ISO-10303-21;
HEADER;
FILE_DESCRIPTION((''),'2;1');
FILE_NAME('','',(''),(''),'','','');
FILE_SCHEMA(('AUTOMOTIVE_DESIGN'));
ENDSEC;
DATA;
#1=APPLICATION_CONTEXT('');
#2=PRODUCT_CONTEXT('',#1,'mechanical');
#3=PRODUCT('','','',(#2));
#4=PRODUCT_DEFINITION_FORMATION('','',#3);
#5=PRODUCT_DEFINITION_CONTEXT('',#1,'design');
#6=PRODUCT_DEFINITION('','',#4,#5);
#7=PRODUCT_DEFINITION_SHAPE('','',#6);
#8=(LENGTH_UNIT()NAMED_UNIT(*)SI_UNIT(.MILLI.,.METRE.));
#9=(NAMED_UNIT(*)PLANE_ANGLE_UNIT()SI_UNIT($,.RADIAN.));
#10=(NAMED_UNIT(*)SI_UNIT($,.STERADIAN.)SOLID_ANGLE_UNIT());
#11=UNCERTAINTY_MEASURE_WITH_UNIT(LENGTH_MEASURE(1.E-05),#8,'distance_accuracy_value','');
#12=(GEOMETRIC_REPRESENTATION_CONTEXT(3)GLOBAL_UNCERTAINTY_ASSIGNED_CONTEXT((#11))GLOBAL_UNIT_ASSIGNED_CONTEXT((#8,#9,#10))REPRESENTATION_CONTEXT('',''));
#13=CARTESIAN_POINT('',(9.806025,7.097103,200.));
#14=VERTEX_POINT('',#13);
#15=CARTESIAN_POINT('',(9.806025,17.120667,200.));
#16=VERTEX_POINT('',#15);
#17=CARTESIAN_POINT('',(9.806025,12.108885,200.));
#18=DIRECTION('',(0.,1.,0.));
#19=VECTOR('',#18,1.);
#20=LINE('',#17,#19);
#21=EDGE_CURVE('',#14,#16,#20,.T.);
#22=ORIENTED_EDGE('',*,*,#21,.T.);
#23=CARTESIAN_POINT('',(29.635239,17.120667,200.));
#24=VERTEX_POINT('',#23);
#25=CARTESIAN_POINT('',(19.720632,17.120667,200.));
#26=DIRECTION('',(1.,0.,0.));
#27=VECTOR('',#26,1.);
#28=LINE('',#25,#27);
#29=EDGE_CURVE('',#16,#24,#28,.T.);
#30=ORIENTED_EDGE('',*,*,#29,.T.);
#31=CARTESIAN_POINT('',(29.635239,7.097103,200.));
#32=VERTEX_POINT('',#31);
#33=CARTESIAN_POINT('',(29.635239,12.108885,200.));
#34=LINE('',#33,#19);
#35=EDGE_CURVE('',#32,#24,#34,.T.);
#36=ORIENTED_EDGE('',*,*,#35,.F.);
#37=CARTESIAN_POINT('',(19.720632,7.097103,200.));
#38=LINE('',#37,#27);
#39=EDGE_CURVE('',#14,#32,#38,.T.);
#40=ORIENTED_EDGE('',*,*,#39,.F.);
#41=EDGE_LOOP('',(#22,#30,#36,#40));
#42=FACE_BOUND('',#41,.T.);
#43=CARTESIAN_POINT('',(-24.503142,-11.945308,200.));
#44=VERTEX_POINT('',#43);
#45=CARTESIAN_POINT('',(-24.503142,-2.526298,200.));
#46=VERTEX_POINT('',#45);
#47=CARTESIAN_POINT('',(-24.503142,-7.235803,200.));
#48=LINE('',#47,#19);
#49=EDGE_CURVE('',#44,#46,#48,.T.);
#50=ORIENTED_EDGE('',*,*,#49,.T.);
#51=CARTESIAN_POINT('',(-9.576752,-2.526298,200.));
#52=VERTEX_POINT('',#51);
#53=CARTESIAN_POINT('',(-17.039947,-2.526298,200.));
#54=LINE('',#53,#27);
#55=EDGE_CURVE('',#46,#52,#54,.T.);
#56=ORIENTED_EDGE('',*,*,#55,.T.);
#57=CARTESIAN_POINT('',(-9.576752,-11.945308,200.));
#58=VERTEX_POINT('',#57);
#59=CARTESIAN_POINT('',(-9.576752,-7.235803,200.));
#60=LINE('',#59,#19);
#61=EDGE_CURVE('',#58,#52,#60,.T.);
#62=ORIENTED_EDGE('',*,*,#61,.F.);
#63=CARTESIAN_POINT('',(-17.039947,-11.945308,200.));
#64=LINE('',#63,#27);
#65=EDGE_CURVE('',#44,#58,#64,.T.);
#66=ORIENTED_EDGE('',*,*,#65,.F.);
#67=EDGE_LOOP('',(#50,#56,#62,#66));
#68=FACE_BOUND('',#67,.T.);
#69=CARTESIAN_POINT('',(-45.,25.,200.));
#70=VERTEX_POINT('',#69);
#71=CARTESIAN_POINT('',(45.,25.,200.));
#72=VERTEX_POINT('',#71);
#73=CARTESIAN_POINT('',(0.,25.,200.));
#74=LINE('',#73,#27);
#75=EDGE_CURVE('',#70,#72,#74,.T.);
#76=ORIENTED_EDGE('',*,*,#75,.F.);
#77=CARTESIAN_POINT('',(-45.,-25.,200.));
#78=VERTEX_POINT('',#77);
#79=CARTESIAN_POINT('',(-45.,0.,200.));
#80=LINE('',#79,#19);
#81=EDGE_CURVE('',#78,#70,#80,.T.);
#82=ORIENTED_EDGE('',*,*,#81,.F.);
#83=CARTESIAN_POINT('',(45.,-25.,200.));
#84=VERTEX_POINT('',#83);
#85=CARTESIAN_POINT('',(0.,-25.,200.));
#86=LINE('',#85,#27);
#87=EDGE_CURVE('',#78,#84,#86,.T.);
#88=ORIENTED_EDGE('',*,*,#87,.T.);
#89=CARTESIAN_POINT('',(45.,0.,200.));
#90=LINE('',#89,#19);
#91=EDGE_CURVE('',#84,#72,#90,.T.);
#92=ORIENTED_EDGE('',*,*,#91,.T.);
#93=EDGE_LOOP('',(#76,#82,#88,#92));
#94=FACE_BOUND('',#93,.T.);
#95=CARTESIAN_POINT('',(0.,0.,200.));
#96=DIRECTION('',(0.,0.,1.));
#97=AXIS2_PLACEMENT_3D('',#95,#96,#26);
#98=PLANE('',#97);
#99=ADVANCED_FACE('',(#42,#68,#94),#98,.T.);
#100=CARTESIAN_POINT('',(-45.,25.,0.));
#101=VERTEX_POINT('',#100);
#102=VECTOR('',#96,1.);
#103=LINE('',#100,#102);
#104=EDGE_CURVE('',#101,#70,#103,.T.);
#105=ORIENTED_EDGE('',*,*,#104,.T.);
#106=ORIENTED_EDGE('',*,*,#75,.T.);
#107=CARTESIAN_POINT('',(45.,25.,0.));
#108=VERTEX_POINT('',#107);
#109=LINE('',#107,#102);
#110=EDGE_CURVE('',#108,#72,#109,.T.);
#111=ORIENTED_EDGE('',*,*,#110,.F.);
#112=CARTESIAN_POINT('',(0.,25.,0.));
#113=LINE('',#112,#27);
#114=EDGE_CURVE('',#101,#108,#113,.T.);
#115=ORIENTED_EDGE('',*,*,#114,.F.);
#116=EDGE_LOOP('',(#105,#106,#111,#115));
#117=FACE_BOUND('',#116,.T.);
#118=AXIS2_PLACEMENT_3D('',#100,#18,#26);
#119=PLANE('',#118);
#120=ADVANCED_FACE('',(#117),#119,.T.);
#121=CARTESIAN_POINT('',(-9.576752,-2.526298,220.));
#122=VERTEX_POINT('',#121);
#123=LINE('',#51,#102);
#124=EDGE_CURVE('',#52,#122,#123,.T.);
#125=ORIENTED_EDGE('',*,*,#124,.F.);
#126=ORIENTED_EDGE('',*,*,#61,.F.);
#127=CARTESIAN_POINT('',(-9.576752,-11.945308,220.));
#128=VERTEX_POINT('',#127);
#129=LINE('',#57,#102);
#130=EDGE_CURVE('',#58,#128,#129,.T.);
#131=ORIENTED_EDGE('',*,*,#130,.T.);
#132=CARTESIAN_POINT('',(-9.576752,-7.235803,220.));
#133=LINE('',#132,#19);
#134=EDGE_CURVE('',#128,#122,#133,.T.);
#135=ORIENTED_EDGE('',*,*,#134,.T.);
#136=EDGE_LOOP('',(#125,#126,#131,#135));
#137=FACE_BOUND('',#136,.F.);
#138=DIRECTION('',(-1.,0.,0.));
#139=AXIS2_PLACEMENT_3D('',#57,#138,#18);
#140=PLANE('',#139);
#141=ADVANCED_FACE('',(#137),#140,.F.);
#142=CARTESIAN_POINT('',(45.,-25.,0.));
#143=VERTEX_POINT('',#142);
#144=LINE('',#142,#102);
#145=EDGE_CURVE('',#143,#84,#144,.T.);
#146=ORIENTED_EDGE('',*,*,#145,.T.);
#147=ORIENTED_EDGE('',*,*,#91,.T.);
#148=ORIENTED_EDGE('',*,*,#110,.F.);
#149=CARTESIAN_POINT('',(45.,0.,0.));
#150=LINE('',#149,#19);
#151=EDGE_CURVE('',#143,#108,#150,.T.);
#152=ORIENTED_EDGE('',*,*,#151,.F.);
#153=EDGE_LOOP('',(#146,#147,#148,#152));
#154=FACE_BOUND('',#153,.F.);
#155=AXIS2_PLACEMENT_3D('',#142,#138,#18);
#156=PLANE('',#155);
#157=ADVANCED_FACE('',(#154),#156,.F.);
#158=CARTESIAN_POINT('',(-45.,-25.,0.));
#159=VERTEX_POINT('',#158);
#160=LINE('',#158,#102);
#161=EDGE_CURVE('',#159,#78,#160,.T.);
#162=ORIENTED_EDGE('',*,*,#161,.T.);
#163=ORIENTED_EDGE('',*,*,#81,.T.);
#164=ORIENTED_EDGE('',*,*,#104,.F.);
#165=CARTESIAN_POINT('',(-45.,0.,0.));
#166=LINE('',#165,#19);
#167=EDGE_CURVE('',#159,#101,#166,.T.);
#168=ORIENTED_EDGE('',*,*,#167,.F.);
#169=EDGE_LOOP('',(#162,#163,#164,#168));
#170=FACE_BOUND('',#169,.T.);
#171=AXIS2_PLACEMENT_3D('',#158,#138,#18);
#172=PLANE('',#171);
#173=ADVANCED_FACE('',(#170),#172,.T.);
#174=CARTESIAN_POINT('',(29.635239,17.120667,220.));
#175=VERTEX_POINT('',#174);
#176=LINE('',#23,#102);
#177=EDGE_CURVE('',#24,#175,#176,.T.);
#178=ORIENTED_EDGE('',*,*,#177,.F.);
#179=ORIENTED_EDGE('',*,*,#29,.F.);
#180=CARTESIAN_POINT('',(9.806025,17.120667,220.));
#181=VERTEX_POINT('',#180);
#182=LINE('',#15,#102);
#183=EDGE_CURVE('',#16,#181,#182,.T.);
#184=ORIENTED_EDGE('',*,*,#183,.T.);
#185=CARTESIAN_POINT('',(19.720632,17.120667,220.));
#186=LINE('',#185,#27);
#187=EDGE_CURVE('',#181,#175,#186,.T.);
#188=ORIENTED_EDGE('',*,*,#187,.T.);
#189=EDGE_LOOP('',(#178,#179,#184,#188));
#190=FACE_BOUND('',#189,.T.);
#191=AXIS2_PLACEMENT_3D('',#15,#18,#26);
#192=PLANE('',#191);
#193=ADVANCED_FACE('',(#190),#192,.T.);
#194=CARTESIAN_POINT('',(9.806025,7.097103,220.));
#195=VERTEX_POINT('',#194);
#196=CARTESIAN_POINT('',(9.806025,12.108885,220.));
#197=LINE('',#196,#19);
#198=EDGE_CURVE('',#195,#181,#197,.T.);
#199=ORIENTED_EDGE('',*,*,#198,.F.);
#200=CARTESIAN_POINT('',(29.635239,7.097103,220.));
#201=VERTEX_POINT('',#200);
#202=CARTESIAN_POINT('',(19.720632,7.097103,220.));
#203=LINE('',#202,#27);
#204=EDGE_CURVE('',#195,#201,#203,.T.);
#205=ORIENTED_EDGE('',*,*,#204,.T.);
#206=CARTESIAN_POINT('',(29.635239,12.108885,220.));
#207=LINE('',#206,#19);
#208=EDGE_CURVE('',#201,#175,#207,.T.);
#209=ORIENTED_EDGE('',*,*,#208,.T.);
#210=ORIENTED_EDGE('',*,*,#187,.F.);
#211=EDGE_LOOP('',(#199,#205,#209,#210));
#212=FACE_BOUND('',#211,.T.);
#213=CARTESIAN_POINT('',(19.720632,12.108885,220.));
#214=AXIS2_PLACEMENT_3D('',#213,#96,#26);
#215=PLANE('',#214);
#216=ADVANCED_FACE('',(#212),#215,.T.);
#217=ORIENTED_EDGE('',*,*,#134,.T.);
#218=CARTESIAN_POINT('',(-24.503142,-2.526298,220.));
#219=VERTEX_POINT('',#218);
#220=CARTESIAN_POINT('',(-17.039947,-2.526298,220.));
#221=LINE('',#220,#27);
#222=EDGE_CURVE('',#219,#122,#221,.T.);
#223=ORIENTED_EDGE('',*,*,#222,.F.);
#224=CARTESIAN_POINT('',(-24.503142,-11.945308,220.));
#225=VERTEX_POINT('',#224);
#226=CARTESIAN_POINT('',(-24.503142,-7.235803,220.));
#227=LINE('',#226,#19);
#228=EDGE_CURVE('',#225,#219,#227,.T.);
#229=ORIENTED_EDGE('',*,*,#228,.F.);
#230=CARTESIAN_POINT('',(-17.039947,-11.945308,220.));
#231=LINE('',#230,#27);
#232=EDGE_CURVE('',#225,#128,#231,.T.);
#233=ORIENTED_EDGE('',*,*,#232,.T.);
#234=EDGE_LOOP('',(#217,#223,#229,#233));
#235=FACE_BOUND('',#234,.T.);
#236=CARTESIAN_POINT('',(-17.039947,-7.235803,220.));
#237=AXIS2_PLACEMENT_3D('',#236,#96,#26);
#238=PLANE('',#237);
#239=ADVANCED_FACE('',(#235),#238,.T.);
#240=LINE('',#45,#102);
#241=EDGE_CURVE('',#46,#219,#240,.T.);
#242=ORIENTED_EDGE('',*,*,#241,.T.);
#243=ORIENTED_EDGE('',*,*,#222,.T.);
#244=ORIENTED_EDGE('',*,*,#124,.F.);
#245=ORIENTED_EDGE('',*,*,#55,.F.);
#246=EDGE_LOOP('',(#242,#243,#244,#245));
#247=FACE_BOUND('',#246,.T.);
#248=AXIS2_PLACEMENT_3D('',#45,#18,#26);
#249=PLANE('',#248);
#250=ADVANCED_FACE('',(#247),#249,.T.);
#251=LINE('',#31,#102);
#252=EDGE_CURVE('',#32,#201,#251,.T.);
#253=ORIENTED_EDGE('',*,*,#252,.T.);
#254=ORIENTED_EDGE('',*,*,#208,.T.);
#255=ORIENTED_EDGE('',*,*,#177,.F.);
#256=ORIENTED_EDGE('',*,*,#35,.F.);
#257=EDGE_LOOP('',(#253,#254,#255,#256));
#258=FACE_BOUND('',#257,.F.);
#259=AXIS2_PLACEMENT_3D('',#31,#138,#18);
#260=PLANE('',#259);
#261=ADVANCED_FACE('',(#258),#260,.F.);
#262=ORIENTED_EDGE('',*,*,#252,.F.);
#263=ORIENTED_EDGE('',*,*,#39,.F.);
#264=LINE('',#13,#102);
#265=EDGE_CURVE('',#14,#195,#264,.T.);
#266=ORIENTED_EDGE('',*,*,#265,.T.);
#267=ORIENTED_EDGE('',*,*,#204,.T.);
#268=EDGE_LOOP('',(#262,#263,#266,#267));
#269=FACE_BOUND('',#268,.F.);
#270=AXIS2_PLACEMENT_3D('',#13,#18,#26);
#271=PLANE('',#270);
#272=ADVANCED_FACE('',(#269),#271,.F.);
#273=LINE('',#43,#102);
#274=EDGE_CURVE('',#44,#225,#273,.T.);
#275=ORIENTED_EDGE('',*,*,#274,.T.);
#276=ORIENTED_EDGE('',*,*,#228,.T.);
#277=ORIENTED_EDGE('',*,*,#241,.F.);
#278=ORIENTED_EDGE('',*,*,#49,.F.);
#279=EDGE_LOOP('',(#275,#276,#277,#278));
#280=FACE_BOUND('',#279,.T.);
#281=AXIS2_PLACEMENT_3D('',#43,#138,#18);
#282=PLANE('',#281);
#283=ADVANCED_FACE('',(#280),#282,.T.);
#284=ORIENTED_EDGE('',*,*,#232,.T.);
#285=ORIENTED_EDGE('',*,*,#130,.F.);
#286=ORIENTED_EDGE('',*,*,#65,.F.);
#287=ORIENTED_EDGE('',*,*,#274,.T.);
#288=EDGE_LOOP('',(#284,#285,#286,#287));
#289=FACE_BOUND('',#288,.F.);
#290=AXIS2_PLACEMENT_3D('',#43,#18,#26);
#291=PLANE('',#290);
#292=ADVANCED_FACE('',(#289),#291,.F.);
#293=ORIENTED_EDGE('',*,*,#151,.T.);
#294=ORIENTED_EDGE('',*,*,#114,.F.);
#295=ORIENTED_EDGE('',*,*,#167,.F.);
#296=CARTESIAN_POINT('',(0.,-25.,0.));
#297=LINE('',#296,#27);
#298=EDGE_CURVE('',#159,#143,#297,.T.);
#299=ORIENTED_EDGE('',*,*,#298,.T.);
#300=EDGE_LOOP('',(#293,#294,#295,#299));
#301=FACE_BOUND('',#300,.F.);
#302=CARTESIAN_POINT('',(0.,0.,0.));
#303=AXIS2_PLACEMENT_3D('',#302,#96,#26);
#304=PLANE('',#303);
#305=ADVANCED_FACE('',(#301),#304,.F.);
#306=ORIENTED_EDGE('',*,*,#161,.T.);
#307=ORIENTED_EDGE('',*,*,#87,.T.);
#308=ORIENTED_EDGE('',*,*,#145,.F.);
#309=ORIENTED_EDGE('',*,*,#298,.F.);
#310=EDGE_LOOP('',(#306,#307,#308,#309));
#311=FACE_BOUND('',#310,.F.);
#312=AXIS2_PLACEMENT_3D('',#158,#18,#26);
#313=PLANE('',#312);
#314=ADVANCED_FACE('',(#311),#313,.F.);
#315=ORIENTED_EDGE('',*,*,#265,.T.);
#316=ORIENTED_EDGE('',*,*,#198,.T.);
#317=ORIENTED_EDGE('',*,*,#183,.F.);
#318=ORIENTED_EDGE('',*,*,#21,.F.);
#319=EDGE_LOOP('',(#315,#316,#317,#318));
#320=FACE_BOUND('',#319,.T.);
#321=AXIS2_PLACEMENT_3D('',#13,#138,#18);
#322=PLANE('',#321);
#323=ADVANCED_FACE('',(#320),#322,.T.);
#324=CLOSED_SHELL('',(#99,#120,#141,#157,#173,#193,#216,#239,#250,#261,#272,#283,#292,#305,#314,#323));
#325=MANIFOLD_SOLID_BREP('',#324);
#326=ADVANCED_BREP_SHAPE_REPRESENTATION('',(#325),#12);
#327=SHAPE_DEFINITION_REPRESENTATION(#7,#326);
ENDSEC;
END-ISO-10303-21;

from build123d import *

# Parameters (mm, degrees)
SKETCH_W      = 90
SKETCH_H      = 50
PAD_DEPTH     = 200
SKETCH001_W   = 19.829214
SKETCH001_H   = 10.023564
SKETCH001_W_2 = 14.92639
SKETCH001_H_2 = 9.419009
PAD001_DEPTH  = 20


with BuildPart() as part:
    # Sketch → Pad (new body)
    with BuildSketch(Plane.XY):
        Rectangle(SKETCH_W, SKETCH_H)
    extrude(amount=PAD_DEPTH)

    # Sketch001 → Pad001 (new body)
    with BuildSketch(Plane.XY.offset(200)):
        with Locations((19.720632, 12.108885)):
            Rectangle(SKETCH001_W, SKETCH001_H)
        with Locations((-17.039947, -7.235803)):
            Rectangle(SKETCH001_W_2, SKETCH001_H_2)
    extrude(amount=PAD001_DEPTH)


solid = part.part
